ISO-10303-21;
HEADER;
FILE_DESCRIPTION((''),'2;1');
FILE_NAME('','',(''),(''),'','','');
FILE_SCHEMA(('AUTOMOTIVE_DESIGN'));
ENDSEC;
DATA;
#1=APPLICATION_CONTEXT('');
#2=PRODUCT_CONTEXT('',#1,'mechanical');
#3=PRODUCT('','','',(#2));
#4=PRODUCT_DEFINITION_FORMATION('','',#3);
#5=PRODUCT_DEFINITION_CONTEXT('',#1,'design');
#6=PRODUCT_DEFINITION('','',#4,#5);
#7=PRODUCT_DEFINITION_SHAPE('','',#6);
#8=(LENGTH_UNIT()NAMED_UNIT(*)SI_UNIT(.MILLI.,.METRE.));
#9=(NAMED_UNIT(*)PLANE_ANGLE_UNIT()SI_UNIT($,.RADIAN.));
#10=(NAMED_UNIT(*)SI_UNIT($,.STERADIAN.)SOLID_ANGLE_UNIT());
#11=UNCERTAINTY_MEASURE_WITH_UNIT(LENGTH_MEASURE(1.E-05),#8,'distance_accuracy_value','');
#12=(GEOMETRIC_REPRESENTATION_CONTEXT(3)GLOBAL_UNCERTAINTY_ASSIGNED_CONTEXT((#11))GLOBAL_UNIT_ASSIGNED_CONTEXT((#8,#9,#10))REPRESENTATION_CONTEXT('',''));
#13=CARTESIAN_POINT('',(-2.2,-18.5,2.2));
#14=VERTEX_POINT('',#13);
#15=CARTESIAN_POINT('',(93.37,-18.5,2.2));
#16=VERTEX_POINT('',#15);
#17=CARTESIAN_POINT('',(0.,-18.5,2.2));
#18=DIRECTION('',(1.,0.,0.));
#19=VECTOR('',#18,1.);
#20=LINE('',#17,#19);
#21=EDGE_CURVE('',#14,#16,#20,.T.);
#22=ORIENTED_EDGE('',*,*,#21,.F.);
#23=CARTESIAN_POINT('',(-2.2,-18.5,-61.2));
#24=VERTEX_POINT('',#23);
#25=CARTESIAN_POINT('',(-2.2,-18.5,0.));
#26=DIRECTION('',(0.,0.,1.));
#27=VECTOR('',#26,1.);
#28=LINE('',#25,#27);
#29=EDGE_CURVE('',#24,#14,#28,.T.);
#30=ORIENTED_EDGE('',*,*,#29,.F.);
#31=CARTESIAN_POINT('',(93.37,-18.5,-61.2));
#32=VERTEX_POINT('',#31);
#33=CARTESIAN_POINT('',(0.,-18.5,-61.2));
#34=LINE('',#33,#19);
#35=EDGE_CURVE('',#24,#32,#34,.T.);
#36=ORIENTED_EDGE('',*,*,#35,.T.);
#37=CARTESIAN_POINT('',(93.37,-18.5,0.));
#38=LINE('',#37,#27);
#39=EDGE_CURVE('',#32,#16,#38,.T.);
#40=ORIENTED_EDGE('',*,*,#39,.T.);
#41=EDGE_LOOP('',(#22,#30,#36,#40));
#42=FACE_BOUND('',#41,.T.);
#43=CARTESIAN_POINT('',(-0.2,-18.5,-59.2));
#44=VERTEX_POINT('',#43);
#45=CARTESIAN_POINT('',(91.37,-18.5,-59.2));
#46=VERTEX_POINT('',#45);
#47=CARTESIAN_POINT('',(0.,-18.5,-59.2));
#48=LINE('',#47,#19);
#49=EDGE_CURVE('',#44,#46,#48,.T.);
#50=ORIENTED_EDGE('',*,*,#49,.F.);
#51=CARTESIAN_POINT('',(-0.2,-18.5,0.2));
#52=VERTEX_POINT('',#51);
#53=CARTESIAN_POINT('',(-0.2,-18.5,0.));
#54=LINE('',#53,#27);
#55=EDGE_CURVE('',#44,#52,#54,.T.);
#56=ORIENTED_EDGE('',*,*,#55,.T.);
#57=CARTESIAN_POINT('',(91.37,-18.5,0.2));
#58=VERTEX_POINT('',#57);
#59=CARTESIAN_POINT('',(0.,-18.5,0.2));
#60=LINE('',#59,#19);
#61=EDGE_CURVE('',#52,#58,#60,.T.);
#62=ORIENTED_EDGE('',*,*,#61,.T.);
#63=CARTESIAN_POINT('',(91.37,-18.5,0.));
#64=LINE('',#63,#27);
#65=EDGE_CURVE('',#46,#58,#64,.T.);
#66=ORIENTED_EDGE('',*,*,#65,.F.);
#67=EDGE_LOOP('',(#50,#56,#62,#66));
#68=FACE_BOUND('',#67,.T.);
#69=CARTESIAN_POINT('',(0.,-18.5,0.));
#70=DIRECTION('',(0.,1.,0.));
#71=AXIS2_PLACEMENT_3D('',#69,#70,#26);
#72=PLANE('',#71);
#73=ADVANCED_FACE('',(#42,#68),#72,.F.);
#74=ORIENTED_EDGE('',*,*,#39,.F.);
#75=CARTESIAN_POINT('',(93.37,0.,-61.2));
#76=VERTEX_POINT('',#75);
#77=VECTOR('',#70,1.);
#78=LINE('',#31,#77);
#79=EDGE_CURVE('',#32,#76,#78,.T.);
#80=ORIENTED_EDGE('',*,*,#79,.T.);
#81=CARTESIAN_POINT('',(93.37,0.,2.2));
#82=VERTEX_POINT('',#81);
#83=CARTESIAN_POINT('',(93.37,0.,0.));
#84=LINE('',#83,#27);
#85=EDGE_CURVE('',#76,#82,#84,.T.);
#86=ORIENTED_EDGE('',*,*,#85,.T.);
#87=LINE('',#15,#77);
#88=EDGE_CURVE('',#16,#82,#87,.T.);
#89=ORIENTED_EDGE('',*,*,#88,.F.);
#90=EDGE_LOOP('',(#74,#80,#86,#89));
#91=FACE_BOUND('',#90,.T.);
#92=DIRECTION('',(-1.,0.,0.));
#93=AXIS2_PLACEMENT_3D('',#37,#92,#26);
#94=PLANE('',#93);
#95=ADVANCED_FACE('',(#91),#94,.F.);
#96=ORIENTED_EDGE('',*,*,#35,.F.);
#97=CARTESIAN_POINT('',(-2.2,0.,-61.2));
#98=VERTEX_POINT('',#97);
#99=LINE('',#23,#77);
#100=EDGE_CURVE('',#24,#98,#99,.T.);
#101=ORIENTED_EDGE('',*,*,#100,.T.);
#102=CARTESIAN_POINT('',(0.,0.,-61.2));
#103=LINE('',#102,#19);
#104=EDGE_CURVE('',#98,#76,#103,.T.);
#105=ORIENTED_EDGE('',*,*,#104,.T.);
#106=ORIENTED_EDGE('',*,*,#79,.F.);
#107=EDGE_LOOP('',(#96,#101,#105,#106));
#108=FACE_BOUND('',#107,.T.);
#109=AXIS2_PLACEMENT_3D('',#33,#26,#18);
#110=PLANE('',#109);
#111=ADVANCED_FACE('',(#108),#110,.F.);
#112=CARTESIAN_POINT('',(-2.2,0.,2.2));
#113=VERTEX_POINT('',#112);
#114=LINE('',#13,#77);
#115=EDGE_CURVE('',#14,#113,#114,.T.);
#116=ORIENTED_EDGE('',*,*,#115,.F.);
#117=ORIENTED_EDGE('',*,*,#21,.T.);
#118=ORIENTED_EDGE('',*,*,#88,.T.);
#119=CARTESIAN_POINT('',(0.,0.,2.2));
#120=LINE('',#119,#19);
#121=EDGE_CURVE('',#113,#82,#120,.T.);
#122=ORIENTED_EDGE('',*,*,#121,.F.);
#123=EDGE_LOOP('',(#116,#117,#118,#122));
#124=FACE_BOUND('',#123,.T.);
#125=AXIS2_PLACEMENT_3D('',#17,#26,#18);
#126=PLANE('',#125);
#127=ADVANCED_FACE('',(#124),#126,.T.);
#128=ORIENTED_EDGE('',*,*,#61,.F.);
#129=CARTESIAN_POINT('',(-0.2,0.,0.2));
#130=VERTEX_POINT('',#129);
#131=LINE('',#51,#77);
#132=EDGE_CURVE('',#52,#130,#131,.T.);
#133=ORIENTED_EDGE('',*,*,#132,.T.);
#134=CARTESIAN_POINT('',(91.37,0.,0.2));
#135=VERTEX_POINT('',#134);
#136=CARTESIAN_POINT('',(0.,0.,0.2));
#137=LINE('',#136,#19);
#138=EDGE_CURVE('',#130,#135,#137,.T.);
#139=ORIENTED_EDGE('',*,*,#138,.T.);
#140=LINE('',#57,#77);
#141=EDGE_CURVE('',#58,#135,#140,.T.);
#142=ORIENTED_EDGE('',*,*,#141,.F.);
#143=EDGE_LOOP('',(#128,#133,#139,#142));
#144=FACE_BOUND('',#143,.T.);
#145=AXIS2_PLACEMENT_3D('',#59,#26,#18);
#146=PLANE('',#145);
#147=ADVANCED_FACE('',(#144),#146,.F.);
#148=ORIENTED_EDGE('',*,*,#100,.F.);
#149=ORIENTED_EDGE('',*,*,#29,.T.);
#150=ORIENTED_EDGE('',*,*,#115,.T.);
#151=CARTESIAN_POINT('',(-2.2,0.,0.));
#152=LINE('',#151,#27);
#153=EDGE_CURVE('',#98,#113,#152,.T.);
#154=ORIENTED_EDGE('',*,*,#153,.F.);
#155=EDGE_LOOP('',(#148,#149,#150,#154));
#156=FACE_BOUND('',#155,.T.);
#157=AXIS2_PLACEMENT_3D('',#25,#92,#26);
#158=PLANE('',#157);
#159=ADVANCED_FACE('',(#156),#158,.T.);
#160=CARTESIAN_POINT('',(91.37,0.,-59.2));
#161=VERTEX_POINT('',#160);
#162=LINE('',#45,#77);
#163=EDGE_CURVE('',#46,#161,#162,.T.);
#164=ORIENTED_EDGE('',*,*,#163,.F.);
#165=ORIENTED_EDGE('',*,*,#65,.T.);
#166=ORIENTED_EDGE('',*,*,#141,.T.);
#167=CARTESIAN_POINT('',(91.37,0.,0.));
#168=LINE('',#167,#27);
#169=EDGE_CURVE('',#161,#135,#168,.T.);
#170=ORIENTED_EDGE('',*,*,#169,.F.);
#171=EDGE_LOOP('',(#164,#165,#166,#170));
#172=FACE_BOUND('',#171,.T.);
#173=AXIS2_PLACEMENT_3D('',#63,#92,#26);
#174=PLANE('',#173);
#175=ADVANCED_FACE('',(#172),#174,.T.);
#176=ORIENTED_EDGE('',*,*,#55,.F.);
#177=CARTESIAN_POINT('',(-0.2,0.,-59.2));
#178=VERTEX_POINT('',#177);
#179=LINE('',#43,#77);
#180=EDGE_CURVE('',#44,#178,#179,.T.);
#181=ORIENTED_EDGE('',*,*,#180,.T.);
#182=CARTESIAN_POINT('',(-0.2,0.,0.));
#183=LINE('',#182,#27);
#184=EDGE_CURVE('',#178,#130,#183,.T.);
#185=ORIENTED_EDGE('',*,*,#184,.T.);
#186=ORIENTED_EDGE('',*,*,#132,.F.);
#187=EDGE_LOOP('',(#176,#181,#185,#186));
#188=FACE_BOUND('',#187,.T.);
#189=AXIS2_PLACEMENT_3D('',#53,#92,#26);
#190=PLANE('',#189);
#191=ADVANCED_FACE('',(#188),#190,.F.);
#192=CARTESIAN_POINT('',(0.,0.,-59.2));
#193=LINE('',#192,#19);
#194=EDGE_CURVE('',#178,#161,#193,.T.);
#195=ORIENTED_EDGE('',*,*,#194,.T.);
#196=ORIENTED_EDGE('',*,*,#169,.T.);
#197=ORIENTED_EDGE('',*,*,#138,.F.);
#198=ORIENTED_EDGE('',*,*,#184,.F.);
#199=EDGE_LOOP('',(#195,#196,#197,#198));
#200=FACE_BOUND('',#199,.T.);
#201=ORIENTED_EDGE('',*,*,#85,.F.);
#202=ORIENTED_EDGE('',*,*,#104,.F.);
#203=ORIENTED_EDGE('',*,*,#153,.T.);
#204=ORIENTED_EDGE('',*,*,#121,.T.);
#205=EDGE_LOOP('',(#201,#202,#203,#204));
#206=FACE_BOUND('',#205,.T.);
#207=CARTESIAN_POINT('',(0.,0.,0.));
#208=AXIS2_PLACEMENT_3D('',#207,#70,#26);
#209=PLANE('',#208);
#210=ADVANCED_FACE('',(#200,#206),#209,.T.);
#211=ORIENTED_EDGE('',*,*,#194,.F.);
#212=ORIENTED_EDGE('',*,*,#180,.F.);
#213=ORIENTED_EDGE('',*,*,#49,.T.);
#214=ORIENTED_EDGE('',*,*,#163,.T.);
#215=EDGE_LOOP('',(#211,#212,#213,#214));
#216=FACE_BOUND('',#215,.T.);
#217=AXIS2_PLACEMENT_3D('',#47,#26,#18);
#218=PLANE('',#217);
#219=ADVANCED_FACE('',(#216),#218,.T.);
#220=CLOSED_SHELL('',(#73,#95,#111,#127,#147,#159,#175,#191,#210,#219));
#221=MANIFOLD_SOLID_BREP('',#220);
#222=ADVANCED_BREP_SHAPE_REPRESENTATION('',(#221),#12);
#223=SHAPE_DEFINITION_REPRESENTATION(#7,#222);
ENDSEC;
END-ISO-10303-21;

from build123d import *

# Parameters (mm, degrees)
SKETCH_2_W      = 2
SKETCH_2_H      = 10.4
SKETCH_2_H_2    = 18.3
SKETCH_2_H_3    = 13
EXTRUDE_1_DEPTH = 18.5


with BuildPart() as part:
    # 草图2 → 凸台-拉伸1 (new body)
    with BuildSketch(Plane(origin=(0, 0, 0), x_dir=(1, 0, 0), z_dir=(0, 1, 0))):
        Polygon((-0.2, 4.564103951), (-0.2, 5.3), (-2.2, 5.3), (-2.2, -2.2), (76.17, -2.2), (76.17, -0.2), (74.17, -0.2), (16.8, -0.2), (-0.2, -0.2), align=None)
        with Locations((-1.2, 10.5)):
            Rectangle(SKETCH_2_W, SKETCH_2_H)
        with Locations((-1.2, 24.85)):
            Rectangle(SKETCH_2_W, SKETCH_2_H_2)
        with Locations((-1.2, 40.5)):
            Rectangle(SKETCH_2_W, SKETCH_2_H_3)
        Polygon((-0.2, 50.2), (-0.2, 59.2), (13.8, 59.2), (16.8, 59.2), (74.17, 59.2), (76.17, 59.2), (91.37, 59.2), (91.37, -0.2), (76.17, -0.2), (76.17, -2.2), (93.37, -2.2), (93.37, 61.2), (-2.2, 61.2), (-2.2, 47), (-0.2, 47), align=None)
    extrude(amount=-EXTRUDE_1_DEPTH)


solid = part.part
